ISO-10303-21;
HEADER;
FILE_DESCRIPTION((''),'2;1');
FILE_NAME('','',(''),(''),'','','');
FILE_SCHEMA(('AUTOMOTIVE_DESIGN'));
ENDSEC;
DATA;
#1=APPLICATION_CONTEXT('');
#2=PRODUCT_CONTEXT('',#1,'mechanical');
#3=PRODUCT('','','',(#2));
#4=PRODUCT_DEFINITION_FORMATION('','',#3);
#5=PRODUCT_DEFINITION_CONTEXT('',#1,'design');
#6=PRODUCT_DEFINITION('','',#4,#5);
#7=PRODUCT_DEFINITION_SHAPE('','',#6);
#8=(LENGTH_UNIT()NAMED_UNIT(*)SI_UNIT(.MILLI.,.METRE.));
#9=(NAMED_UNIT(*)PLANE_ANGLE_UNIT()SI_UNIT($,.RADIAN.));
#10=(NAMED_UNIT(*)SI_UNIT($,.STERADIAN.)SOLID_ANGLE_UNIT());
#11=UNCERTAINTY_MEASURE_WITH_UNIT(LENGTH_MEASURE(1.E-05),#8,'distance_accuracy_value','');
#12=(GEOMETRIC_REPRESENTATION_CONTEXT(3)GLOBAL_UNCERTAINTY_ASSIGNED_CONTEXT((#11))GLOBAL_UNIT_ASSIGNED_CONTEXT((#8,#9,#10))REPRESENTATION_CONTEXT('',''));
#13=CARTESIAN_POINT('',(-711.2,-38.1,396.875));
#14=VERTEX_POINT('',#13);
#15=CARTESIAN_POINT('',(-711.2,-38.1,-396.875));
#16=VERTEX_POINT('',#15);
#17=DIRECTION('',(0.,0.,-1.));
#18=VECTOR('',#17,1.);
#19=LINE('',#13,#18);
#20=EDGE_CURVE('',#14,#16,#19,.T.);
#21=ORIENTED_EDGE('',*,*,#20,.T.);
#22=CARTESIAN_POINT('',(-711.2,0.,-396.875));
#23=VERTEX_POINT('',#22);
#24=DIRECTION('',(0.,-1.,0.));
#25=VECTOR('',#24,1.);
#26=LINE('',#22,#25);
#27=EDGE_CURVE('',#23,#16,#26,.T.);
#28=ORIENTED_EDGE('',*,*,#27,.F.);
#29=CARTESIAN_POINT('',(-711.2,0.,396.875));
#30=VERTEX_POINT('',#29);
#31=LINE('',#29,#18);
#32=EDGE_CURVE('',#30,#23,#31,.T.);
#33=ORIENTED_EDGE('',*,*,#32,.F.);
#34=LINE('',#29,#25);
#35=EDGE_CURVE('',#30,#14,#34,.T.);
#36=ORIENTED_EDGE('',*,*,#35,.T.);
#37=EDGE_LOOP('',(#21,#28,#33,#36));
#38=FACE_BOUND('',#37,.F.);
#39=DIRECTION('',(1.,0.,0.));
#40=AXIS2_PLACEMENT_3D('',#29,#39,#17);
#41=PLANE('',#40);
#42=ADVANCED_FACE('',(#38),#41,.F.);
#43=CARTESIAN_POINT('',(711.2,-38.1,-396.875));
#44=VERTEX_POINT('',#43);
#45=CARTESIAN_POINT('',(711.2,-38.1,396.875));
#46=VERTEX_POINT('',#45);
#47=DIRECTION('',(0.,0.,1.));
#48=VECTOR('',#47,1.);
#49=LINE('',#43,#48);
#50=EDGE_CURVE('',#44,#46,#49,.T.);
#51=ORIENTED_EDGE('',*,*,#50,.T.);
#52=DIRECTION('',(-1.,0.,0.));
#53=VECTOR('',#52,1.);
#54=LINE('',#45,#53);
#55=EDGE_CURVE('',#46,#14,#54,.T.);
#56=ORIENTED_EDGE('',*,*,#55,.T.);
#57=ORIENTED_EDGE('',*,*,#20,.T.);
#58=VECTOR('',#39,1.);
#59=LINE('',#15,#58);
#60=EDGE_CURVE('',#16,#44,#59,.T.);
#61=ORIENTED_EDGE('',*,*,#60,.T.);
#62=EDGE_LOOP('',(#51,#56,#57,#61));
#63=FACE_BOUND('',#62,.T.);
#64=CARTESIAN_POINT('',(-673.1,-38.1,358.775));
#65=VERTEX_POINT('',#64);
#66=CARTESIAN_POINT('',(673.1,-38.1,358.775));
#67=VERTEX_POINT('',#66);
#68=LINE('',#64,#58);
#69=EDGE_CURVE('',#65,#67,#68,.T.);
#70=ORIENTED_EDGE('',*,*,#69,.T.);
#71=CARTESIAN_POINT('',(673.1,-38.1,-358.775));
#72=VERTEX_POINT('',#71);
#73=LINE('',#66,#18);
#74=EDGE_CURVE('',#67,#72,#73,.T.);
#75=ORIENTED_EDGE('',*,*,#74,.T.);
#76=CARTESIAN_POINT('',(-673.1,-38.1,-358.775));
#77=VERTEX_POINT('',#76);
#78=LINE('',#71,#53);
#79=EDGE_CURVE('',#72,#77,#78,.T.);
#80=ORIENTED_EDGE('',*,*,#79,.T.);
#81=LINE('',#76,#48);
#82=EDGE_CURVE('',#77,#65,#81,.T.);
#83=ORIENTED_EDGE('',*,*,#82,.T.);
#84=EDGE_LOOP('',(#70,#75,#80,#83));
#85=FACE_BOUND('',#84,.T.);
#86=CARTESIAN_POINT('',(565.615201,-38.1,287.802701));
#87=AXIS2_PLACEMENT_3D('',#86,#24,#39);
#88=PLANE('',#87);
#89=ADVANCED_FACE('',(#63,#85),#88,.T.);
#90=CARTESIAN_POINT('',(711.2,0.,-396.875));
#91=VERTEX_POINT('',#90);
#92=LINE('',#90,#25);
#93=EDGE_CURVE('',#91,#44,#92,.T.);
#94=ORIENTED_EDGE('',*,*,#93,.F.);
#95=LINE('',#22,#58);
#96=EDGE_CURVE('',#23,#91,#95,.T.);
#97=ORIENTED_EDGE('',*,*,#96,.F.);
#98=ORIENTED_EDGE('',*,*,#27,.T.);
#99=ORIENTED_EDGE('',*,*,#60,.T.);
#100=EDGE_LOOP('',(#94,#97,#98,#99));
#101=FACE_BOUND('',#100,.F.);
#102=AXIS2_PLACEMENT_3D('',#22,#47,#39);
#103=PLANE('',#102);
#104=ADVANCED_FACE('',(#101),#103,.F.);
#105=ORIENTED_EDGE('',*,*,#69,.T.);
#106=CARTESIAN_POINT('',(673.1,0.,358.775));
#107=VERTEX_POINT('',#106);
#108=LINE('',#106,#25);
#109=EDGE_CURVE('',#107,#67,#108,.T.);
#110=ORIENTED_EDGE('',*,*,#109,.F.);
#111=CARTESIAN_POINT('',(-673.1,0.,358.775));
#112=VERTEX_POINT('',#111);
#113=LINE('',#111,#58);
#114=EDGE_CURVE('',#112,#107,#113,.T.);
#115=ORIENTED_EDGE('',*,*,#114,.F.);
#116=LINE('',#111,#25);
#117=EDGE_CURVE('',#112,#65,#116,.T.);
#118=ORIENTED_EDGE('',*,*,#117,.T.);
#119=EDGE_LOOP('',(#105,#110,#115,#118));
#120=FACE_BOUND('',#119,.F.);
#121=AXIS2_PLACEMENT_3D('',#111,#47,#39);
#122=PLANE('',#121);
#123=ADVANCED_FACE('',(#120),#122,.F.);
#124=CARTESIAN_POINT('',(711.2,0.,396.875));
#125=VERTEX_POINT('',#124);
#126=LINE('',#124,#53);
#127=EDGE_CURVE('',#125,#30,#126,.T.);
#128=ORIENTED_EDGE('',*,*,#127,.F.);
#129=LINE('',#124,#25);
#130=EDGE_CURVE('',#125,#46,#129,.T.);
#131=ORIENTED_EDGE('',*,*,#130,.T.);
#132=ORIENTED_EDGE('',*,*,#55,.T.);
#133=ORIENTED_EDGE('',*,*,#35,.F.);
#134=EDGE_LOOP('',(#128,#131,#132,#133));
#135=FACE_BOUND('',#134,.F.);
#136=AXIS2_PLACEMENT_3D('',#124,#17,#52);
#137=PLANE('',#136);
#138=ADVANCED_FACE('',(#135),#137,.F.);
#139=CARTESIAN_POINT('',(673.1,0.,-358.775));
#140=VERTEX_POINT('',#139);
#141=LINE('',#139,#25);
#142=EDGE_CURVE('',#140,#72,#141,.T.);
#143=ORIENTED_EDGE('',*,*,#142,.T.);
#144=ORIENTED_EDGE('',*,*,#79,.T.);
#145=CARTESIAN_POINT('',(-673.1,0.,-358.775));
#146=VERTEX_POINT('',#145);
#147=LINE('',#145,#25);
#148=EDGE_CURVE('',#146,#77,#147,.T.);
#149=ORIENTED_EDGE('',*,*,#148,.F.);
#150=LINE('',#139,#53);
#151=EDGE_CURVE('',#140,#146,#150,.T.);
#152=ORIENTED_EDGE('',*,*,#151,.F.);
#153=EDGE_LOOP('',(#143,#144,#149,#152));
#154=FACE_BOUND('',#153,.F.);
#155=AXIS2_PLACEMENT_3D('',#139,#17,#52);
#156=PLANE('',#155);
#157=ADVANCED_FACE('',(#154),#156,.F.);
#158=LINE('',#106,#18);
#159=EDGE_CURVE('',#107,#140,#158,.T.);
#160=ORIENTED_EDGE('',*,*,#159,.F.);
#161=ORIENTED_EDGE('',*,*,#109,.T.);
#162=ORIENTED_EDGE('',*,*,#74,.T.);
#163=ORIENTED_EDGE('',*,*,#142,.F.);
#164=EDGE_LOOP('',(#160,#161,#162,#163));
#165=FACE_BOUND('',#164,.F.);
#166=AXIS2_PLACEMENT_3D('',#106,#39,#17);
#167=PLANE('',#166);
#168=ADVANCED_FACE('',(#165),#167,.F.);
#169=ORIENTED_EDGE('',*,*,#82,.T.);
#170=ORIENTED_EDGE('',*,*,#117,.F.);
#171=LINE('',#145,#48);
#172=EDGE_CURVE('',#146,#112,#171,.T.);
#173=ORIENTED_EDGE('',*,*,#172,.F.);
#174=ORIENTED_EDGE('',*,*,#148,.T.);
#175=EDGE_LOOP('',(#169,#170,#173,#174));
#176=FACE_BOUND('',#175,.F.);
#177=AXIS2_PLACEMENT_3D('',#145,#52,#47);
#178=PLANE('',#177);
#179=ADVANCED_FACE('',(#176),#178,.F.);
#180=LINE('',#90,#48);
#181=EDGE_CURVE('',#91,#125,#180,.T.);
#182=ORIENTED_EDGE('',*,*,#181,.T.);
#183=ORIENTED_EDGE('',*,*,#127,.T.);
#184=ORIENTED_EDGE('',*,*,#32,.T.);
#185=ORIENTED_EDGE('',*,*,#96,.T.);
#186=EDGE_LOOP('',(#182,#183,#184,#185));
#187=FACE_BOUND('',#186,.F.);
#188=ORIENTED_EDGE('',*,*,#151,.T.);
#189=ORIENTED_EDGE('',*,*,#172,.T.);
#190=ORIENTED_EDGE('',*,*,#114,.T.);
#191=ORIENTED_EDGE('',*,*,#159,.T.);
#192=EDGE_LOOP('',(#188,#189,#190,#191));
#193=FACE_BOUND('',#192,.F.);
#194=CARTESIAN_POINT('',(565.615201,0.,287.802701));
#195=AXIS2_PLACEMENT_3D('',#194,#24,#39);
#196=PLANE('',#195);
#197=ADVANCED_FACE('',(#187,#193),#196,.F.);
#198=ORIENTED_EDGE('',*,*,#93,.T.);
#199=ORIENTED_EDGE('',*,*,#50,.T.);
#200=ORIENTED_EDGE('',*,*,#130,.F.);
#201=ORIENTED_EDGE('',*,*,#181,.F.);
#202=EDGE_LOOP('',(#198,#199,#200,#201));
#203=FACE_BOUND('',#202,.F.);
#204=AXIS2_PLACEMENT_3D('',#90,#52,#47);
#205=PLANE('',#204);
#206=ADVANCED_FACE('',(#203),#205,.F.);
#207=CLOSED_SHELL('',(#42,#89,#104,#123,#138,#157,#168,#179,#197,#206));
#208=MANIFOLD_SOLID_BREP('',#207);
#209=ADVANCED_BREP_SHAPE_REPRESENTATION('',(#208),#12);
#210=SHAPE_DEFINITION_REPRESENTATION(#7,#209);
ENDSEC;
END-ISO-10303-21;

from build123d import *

# Parameters (mm, degrees)
F0_W     = 241.3
F0_H     = 38.1
F1_DEPTH = 38.1


with BuildPart() as f1:
    # F0 (on Front) → F1 (new body)
    with BuildSketch(Plane.XZ):
        Polygon((711.2, 0), (711.2, 396.875), (241.3, 396.875), (241.3, 358.775), (673.1, 358.775), (673.1, 0), align=None)
        with Locations((120.65, 377.825)):
            Rectangle(F0_W, F0_H)
        Polygon((711.2, -396.875), (711.2, 0), (673.1, 0), (673.1, -358.775), (241.3, -358.775), (241.3, -396.875), align=None)
        with Locations((-120.65, 377.825)):
            Rectangle(F0_W, F0_H)
        Polygon((-241.3, 358.775), (-241.3, 396.875), (-711.2, 396.875), (-711.2, 0), (-673.1, 0), (-673.1, 358.775), align=None)
        with Locations((120.65, -377.825)):
            Rectangle(F0_W, F0_H)
        with Locations((-120.65, -377.825)):
            Rectangle(F0_W, F0_H)
        Polygon((-673.1, 0), (-711.2, 0), (-711.2, -396.875), (-241.3, -396.875), (-241.3, -358.775), (-673.1, -358.775), align=None)
    extrude(amount=F1_DEPTH)


solid = f1.part
